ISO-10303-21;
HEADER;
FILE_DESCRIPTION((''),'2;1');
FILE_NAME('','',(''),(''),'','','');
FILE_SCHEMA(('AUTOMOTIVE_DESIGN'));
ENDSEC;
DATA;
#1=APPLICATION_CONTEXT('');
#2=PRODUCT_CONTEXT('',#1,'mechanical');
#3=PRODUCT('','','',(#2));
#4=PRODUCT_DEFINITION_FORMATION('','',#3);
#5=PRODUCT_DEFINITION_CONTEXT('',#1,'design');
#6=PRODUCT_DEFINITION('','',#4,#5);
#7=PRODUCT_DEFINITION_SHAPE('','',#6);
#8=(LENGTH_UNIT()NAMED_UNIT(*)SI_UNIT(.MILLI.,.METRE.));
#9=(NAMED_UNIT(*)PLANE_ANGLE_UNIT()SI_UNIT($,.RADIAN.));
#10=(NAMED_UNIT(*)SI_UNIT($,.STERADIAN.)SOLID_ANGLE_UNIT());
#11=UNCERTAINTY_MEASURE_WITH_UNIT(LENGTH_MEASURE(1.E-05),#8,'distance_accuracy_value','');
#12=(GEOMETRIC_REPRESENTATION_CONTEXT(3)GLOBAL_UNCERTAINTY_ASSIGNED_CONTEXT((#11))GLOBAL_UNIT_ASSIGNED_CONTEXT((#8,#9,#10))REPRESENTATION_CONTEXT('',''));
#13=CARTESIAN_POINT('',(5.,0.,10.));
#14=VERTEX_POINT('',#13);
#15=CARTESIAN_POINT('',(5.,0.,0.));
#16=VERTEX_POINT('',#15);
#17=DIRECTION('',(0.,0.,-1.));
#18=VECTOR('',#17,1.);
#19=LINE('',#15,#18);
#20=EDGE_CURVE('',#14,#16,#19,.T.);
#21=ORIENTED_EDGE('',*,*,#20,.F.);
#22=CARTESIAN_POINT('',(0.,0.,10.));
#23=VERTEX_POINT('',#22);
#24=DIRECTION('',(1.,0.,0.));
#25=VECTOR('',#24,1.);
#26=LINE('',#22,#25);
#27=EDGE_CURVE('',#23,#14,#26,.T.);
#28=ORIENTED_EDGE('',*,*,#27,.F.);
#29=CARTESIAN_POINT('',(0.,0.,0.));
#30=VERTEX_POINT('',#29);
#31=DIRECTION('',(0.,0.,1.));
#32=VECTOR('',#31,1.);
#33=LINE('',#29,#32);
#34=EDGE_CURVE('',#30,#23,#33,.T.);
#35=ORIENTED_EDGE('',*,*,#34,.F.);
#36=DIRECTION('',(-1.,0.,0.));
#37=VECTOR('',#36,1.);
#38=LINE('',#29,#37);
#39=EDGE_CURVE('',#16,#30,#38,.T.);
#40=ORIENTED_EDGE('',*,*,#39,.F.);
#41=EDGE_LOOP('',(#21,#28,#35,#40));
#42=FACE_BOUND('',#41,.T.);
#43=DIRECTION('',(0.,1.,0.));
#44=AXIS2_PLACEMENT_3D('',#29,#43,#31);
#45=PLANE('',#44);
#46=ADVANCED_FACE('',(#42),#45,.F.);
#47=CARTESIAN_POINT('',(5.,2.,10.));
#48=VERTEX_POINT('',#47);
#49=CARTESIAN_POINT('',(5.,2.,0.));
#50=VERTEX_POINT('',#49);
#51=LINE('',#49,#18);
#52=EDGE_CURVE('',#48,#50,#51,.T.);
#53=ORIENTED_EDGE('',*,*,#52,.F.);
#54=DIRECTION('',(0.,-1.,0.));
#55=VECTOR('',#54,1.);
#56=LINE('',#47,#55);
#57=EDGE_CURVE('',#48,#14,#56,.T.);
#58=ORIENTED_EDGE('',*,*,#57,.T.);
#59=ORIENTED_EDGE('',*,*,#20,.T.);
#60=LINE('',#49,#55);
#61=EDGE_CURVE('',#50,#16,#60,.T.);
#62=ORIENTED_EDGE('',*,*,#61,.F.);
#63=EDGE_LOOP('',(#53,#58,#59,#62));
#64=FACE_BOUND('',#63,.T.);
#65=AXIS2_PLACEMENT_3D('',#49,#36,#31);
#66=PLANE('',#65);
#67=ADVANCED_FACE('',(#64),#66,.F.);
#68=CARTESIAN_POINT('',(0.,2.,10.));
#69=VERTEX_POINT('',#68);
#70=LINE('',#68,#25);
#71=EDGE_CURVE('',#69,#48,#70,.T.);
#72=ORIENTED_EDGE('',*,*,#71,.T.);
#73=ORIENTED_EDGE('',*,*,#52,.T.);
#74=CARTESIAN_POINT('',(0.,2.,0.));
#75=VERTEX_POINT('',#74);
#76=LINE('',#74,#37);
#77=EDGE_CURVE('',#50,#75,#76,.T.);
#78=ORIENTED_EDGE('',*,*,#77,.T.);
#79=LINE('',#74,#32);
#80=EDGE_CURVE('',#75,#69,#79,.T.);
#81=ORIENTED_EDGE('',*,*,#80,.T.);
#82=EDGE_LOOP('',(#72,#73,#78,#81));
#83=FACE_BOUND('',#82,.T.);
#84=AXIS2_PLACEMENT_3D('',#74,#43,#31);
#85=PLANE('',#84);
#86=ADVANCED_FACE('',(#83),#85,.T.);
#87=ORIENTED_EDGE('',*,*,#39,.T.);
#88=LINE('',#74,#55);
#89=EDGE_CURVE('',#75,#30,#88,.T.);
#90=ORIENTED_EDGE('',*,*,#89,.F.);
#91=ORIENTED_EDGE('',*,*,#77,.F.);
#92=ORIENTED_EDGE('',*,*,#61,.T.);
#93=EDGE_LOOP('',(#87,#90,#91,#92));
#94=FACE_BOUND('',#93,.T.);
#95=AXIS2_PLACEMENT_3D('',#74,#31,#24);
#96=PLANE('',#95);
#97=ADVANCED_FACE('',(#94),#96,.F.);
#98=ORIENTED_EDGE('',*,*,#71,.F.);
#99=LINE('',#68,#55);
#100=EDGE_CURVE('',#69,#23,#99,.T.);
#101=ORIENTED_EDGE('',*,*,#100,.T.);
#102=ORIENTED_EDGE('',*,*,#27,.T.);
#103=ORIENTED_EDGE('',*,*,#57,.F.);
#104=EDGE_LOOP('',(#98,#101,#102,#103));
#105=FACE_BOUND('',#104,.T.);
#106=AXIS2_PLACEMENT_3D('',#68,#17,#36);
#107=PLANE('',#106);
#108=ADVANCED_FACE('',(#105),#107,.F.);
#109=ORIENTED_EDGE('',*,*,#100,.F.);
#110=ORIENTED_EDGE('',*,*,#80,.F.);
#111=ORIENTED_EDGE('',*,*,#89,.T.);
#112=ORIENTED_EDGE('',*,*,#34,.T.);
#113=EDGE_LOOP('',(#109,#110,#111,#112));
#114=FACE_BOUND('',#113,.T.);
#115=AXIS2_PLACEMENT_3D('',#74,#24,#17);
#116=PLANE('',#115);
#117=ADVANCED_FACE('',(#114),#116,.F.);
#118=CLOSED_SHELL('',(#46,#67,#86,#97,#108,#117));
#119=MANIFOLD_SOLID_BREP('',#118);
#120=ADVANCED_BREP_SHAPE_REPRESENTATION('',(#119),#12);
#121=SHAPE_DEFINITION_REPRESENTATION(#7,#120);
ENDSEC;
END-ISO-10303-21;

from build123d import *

# Parameters (mm, degrees)
SKETCH_1_W      = 5
SKETCH_1_H      = 10
EXTRUDE_1_DEPTH = 2


with BuildPart() as part:
    # 草图1 → 凸台-拉伸1 (new body)
    with BuildSketch(Plane(origin=(0, 0, 0), x_dir=(1, 0, 0), z_dir=(0, 1, 0))):
        with Locations((2.5, -5)):
            Rectangle(SKETCH_1_W, SKETCH_1_H)
    extrude(amount=EXTRUDE_1_DEPTH)


solid = part.part
